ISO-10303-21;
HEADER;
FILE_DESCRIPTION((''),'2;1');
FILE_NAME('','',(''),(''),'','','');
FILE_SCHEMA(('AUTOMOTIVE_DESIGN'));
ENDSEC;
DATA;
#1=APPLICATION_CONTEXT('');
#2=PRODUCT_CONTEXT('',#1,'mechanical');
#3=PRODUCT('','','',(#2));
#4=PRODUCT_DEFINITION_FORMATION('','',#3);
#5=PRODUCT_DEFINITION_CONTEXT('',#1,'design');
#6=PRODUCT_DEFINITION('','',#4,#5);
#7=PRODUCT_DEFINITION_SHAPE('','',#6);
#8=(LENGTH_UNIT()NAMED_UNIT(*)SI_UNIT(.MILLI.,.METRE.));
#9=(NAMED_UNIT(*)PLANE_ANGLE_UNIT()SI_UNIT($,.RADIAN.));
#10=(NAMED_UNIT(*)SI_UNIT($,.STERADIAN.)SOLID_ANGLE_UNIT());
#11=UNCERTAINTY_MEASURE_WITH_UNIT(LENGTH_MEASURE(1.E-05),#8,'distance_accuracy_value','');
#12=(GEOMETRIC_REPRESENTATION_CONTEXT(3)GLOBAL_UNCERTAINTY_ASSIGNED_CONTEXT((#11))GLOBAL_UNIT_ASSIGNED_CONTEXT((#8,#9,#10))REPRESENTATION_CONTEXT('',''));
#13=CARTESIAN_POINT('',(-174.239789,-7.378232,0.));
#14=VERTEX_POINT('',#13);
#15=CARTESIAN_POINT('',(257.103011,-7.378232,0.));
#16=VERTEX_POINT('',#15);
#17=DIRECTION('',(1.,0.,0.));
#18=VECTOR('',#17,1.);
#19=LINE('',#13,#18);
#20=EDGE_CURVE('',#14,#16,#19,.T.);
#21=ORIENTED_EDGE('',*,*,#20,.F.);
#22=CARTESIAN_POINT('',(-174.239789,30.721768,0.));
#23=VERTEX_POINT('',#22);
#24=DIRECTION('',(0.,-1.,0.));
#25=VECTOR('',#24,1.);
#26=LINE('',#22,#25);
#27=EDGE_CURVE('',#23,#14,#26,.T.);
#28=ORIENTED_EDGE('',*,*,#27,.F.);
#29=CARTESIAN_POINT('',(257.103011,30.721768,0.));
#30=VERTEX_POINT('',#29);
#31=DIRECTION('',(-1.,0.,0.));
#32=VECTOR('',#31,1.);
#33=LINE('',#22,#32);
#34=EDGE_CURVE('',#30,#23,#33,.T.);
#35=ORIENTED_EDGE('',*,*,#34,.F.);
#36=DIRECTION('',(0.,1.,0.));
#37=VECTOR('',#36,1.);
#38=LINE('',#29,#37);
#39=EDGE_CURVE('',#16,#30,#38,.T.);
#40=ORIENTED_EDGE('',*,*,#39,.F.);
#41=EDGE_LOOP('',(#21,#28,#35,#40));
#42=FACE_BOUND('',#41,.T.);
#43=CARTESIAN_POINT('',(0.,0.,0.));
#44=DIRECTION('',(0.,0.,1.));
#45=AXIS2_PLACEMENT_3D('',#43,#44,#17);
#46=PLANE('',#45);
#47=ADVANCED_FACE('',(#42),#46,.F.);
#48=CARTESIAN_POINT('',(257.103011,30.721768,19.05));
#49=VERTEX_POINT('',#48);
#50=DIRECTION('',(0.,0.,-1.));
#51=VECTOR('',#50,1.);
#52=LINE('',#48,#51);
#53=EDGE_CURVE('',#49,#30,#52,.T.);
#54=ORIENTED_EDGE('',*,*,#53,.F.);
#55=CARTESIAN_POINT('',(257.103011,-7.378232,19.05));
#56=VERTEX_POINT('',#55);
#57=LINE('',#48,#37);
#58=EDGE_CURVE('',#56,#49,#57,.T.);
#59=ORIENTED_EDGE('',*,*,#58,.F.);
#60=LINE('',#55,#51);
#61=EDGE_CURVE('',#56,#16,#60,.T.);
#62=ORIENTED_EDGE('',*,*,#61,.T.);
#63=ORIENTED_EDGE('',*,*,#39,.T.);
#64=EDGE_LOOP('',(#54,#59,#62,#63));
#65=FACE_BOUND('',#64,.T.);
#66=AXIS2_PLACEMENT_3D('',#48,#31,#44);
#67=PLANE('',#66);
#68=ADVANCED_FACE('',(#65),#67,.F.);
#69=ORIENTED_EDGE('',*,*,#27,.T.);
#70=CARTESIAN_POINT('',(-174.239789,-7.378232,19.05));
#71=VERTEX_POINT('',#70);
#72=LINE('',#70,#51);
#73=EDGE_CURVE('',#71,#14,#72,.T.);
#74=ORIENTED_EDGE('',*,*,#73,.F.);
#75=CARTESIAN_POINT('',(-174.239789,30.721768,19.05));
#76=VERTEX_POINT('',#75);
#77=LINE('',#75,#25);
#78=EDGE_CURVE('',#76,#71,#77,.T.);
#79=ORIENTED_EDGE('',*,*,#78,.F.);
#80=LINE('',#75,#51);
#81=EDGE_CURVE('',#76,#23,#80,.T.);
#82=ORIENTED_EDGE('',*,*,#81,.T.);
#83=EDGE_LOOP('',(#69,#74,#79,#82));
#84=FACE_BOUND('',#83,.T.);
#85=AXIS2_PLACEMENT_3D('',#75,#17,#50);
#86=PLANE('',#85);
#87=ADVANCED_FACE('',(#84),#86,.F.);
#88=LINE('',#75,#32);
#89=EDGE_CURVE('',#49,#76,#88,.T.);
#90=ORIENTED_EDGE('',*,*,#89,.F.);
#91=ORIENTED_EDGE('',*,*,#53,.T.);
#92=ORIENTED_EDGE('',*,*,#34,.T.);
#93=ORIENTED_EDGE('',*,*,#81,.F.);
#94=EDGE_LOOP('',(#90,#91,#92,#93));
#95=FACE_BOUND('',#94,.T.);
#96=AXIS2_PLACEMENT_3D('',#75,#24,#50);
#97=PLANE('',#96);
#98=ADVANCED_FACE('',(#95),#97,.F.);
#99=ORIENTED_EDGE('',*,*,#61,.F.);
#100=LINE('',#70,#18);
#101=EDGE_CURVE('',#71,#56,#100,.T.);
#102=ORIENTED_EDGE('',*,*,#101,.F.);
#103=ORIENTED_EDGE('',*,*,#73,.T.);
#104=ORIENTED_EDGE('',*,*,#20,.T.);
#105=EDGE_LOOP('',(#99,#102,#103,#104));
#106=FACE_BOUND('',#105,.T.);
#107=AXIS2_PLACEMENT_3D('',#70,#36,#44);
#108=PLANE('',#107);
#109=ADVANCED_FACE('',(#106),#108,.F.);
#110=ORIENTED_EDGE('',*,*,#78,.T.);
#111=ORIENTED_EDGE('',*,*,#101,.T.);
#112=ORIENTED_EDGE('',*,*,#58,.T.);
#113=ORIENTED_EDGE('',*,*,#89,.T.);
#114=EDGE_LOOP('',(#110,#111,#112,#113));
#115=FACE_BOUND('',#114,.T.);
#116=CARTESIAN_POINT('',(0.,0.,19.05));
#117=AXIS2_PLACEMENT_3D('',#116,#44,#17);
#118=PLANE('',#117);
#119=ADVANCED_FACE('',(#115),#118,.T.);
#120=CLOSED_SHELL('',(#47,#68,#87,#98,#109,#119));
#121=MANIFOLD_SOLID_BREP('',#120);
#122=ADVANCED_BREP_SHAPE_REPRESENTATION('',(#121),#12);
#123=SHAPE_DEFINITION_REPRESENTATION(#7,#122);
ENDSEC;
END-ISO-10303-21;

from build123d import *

# Parameters (mm, degrees)
SKETCH1_W           = 431.3428
SKETCH1_H           = 38.1
BOSS_EXTRUDE1_DEPTH = 19.05


with BuildPart() as part:
    # Sketch1 → Boss-Extrude1 (new body)
    with BuildSketch(Plane.XY):
        with Locations((41.431611053, 11.671767895)):
            Rectangle(SKETCH1_W, SKETCH1_H)
    extrude(amount=BOSS_EXTRUDE1_DEPTH)


solid = part.part
